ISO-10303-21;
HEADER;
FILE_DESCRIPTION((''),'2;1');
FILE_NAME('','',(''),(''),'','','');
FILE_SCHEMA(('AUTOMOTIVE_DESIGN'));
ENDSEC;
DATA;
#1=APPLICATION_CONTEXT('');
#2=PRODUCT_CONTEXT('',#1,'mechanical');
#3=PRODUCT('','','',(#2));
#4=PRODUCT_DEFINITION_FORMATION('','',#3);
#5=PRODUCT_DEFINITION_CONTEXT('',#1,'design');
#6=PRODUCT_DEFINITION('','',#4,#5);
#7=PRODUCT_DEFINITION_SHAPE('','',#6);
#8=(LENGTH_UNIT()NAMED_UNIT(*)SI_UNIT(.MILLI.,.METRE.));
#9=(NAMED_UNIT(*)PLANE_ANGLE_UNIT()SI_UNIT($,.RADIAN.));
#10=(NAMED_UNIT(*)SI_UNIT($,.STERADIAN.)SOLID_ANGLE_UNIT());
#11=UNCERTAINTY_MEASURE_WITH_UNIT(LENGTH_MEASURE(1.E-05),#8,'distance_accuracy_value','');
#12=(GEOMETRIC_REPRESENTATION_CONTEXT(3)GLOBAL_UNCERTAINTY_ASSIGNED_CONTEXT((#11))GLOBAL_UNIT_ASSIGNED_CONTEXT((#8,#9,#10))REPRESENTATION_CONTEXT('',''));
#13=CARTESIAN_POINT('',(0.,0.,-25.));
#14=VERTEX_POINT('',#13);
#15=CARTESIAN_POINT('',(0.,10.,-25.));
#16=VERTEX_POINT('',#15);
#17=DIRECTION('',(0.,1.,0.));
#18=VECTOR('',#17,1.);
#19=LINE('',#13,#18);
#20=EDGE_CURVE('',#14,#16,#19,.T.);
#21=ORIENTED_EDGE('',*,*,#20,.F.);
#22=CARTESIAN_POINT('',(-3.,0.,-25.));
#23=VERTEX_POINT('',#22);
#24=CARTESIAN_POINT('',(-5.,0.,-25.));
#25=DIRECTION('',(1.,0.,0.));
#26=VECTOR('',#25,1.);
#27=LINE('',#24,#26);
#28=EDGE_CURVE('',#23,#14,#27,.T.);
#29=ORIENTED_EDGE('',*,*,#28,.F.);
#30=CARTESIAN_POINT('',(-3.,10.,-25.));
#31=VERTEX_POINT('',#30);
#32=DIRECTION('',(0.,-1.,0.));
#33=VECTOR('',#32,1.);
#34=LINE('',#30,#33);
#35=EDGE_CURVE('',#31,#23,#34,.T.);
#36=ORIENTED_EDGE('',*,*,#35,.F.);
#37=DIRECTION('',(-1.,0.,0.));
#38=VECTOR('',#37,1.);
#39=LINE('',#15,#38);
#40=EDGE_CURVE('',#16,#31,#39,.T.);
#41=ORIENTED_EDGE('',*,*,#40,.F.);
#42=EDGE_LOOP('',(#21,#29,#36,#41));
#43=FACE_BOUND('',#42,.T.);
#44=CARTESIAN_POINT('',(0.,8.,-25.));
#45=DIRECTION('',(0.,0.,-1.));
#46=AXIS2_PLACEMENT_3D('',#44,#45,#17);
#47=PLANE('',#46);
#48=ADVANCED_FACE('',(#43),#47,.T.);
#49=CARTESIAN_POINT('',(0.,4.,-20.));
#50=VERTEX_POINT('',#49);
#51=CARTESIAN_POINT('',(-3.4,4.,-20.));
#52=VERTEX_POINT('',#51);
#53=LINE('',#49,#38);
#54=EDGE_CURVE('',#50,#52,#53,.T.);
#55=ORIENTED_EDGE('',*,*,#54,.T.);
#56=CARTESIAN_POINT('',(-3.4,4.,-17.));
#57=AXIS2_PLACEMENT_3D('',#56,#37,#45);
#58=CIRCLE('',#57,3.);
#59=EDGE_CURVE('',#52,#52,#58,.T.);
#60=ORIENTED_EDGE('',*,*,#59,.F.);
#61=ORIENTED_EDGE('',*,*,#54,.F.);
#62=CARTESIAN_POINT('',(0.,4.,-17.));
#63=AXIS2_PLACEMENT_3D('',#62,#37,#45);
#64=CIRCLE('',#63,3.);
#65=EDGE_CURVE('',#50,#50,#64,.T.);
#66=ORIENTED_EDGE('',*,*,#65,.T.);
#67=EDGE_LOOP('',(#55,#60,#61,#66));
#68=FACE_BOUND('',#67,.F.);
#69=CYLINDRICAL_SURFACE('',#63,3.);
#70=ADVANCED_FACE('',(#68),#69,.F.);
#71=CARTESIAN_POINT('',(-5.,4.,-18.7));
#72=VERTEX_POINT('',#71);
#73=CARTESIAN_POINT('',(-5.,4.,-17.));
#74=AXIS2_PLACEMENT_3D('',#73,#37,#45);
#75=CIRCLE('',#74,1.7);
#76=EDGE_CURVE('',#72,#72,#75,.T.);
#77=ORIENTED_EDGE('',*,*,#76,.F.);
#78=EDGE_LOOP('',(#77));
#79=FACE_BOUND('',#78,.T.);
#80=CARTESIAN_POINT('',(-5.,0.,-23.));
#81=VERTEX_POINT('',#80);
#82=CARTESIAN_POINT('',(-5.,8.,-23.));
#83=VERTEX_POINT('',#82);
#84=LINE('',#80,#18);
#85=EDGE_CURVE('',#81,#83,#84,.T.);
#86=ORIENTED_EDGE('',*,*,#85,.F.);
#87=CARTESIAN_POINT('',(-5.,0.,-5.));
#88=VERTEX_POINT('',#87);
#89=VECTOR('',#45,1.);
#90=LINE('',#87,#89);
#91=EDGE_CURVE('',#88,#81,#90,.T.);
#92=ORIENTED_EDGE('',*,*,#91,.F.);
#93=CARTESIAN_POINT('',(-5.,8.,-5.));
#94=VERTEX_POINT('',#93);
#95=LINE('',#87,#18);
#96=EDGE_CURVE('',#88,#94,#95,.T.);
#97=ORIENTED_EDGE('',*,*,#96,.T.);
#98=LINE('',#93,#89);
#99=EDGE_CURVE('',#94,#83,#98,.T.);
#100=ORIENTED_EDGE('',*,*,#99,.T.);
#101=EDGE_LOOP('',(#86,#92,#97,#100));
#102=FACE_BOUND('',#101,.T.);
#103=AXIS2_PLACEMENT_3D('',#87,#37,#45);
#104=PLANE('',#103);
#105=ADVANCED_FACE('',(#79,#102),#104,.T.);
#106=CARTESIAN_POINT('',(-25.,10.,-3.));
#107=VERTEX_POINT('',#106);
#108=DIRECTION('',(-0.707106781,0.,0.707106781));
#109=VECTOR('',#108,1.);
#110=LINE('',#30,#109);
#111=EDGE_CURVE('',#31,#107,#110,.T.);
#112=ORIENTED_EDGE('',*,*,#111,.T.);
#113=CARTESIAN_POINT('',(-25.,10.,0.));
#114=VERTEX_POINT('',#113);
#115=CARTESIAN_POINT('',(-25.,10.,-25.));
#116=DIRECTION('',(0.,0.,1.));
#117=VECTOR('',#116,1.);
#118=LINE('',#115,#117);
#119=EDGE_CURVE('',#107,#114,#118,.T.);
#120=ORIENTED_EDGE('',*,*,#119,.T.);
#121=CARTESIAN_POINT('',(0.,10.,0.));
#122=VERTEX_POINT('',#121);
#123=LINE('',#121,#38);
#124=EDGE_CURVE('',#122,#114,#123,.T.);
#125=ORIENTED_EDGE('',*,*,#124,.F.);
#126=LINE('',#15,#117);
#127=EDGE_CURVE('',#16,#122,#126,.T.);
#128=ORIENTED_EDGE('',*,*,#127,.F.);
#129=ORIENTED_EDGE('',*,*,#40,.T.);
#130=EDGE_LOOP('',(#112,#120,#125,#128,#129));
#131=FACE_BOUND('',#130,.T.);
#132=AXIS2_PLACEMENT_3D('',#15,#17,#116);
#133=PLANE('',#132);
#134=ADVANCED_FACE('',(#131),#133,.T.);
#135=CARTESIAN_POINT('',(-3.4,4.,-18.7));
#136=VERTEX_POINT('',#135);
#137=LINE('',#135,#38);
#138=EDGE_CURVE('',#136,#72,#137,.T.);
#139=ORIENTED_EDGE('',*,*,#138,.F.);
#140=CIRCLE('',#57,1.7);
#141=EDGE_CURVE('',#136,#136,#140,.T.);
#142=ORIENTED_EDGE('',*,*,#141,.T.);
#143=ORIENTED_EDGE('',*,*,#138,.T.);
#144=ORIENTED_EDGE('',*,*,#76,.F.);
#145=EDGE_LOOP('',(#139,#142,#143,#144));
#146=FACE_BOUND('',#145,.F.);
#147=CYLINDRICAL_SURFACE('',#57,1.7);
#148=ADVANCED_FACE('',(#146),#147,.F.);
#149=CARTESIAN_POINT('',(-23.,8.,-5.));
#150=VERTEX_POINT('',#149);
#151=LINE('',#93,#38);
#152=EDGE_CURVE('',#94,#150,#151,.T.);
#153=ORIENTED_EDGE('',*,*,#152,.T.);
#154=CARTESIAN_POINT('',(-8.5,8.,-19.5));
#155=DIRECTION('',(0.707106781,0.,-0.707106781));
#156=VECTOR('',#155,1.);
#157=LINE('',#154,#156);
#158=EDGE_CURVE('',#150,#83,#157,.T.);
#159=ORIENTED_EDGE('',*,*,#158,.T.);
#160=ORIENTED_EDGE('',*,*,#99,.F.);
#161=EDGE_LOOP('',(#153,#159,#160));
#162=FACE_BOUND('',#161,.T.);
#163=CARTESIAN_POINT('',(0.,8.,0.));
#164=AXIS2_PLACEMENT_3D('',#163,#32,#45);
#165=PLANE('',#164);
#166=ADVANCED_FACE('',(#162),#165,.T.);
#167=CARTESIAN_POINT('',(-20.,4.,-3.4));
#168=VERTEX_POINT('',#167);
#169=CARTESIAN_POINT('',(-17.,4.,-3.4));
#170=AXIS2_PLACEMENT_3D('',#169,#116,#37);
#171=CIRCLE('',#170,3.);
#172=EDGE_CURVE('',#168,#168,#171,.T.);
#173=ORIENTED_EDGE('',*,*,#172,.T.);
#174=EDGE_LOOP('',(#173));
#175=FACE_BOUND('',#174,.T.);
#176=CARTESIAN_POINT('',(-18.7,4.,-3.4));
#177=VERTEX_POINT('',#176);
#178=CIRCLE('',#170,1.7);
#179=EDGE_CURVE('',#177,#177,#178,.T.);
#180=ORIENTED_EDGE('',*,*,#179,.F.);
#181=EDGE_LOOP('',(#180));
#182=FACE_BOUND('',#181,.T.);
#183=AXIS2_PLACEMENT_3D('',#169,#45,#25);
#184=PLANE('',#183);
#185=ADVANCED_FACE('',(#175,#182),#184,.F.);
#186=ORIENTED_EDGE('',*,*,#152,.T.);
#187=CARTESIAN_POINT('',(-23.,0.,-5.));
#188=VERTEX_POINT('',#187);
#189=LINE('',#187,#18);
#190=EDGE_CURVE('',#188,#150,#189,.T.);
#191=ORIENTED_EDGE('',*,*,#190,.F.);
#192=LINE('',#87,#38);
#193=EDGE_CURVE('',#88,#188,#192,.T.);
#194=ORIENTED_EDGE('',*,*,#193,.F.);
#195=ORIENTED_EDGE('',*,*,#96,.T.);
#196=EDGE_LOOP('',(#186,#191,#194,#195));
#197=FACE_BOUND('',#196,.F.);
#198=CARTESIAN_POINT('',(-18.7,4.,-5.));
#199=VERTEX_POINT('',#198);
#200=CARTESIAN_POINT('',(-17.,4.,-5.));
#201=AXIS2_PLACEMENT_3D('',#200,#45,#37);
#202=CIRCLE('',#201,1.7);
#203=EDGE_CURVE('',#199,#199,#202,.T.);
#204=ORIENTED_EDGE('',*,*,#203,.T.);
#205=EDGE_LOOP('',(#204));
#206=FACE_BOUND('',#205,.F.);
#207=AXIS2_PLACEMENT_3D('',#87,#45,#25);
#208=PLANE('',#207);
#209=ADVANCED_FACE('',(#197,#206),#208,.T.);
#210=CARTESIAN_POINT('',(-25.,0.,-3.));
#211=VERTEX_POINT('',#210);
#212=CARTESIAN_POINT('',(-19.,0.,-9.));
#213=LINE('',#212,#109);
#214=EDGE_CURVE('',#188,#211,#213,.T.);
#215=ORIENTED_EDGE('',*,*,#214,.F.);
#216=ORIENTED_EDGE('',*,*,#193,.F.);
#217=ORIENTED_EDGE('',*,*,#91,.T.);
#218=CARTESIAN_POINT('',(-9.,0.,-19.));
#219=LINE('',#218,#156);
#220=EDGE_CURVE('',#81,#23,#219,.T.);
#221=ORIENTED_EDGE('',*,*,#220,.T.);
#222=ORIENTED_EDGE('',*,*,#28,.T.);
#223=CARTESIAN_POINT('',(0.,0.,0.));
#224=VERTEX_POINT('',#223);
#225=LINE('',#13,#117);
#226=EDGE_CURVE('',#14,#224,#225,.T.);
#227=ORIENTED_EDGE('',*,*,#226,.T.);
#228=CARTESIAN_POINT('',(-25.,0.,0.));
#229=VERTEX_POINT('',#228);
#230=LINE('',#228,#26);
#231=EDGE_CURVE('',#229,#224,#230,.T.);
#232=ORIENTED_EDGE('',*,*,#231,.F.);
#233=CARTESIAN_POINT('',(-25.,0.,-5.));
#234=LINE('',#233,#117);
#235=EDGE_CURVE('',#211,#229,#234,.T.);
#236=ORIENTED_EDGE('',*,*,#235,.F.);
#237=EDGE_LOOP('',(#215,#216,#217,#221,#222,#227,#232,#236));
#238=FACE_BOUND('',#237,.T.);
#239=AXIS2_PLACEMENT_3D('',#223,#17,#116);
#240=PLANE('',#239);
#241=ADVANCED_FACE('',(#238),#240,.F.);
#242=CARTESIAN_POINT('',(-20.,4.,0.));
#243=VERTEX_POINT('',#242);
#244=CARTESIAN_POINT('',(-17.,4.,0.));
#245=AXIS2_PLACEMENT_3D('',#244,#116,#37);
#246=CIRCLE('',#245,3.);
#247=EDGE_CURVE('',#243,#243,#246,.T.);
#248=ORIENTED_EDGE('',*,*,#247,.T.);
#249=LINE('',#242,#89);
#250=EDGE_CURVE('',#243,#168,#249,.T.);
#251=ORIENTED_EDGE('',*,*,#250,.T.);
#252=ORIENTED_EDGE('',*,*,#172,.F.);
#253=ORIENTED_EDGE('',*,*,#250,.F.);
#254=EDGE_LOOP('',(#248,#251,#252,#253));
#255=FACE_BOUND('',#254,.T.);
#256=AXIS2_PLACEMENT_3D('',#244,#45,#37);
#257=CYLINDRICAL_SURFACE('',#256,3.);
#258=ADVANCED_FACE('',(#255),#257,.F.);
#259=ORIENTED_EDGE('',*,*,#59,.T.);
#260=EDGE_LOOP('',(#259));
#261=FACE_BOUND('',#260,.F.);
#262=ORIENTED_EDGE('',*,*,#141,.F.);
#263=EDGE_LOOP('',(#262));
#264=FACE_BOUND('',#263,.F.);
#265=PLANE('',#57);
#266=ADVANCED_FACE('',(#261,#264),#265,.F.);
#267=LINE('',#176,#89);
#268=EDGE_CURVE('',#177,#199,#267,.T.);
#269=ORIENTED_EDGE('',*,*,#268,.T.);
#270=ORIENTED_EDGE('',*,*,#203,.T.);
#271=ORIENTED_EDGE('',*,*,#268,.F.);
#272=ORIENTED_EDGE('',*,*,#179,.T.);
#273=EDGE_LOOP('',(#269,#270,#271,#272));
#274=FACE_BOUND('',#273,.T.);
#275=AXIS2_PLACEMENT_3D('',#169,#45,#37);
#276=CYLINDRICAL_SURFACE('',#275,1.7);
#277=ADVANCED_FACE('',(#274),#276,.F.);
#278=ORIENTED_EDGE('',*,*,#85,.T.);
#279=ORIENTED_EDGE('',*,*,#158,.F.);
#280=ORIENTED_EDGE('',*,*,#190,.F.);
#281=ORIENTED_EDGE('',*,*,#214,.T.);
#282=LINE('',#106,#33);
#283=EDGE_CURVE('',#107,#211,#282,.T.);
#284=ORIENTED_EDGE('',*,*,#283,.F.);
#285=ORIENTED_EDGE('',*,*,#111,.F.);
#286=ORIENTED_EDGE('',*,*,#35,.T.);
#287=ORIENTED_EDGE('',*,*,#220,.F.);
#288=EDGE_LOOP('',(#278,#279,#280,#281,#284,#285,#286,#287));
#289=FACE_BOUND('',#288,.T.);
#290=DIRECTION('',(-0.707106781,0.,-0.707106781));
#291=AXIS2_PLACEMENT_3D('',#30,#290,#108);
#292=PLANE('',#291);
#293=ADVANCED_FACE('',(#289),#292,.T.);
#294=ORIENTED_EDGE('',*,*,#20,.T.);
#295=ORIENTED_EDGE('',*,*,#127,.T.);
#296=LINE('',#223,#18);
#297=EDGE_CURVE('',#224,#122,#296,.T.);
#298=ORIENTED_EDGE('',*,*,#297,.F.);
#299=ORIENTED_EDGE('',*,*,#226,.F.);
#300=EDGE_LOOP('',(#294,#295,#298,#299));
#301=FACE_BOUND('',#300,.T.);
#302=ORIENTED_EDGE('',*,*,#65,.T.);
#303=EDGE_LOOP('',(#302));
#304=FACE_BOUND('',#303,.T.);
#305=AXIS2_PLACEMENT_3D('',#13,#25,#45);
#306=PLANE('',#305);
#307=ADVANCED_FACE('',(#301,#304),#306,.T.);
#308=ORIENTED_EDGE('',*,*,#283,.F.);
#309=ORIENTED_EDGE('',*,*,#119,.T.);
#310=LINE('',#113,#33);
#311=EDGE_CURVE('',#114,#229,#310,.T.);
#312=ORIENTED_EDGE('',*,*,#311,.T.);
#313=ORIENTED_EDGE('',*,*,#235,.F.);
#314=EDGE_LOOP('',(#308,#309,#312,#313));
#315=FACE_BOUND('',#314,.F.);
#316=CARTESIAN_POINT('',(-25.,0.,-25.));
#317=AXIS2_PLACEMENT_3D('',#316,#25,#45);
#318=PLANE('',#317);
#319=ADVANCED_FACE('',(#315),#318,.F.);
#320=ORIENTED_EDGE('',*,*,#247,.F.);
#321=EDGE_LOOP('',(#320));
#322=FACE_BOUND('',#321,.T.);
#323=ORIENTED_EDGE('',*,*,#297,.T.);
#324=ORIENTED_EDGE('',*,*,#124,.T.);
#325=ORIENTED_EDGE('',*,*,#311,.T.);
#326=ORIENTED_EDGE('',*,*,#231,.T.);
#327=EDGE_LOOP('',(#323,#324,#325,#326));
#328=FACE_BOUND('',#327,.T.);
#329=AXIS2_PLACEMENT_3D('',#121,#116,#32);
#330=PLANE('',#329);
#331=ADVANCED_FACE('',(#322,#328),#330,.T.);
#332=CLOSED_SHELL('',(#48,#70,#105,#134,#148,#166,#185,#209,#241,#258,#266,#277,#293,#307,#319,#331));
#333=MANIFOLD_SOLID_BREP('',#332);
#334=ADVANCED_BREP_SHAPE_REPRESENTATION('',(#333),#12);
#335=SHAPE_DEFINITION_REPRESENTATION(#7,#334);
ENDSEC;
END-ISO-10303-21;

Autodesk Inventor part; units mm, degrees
ref_plane "YZ Plane" through (0, 0, 0) normal (1, 0, 0) x (0, 1, 0)
ref_plane "XZ Plane" through (0, 0, 0) normal (0, 1, 0) x (-1, 0, 0)
ref_plane "XY Plane" through (0, 0, 0) normal (0, 0, 1) x (1, 0, 0)
sketch "Skizze3" plane through (0, 0, 0) normal (0, 1, 0) x (-1, 0, 0)
  line L0 (5, -5) -> (5, -25)
  line L1 (5, -25) -> (0, -25)
  line L2 (0, -25) -> (0, 0)
  line L3 (0, 0) -> (5, -5)
  dimension "d7" = 5
  dimension "d11" = 25
  dimension "d12" = 20
extrude "Extrusion3" add sketch "Skizze3" along normal blind 8
sketch "Skizze4" plane through (0, 0, 0) normal (1, 0, 0) x (0, 0, -1)
  line L0 (-0.7299, 4) -> (5.994, 4) construction
  line L1 (0, 0) -> (0, 8) projected
  point P0 (17, 4)
  point P1 (0, 4)
  dimension "d10" = 17
hole "Bohrung1" at (0, 4, -17) direction (-1, 0, 0) diameter 3.4 end through all counterbore diameter 6 counterbore depth 3.4
chamfer "Fase1" distance 2 angle 45 1 edges at (-5, 4, -25)
mirror "Spiegeln1" about plane through (-5, 0, -5) normal (-0.7071, 0, 0.7071) of "Extrusion3", "Bohrung1", "Fase1"
sketch "Skizze5" plane through (0, 0, -25) normal (1, 0, 0) x (0, 0, -1)
  line L0 (-25, 8) -> (0, 8) projected
  line L1 (-25, 0) -> (-25, 8) projected
  line L2 (-25, 8) -> (0, 8)
  line L3 (0, 8) -> (0, 10)
  line L4 (0, 10) -> (-25, 10)
  line L5 (-25, 10) -> (-25, 8)
  dimension "d23" = 2
extrude "Extrusion4" add sketch "Skizze5" against normal blind 25
sketch "Skizze6" plane through (0, 10, 0) normal (0, 1, 0) x (1, 0, 0)
  line L0 (-3, 25) -> (-25, 25) projected
  line L1 (-3, 25) -> (-25, 3)
  line L2 (0, 25) -> (-25, 25) projected
  line L3 (-25, 0) -> (-25, 25) projected
  point P0 (0, 0)
extrude "Extrusion5" cut sketch "Skizze6" against normal blind 10
equation "\"d12\" = d11 - d7"
properties part number "BT406_trajan20_21" material "Kunststoff, undurchsichtig Schwarz"
